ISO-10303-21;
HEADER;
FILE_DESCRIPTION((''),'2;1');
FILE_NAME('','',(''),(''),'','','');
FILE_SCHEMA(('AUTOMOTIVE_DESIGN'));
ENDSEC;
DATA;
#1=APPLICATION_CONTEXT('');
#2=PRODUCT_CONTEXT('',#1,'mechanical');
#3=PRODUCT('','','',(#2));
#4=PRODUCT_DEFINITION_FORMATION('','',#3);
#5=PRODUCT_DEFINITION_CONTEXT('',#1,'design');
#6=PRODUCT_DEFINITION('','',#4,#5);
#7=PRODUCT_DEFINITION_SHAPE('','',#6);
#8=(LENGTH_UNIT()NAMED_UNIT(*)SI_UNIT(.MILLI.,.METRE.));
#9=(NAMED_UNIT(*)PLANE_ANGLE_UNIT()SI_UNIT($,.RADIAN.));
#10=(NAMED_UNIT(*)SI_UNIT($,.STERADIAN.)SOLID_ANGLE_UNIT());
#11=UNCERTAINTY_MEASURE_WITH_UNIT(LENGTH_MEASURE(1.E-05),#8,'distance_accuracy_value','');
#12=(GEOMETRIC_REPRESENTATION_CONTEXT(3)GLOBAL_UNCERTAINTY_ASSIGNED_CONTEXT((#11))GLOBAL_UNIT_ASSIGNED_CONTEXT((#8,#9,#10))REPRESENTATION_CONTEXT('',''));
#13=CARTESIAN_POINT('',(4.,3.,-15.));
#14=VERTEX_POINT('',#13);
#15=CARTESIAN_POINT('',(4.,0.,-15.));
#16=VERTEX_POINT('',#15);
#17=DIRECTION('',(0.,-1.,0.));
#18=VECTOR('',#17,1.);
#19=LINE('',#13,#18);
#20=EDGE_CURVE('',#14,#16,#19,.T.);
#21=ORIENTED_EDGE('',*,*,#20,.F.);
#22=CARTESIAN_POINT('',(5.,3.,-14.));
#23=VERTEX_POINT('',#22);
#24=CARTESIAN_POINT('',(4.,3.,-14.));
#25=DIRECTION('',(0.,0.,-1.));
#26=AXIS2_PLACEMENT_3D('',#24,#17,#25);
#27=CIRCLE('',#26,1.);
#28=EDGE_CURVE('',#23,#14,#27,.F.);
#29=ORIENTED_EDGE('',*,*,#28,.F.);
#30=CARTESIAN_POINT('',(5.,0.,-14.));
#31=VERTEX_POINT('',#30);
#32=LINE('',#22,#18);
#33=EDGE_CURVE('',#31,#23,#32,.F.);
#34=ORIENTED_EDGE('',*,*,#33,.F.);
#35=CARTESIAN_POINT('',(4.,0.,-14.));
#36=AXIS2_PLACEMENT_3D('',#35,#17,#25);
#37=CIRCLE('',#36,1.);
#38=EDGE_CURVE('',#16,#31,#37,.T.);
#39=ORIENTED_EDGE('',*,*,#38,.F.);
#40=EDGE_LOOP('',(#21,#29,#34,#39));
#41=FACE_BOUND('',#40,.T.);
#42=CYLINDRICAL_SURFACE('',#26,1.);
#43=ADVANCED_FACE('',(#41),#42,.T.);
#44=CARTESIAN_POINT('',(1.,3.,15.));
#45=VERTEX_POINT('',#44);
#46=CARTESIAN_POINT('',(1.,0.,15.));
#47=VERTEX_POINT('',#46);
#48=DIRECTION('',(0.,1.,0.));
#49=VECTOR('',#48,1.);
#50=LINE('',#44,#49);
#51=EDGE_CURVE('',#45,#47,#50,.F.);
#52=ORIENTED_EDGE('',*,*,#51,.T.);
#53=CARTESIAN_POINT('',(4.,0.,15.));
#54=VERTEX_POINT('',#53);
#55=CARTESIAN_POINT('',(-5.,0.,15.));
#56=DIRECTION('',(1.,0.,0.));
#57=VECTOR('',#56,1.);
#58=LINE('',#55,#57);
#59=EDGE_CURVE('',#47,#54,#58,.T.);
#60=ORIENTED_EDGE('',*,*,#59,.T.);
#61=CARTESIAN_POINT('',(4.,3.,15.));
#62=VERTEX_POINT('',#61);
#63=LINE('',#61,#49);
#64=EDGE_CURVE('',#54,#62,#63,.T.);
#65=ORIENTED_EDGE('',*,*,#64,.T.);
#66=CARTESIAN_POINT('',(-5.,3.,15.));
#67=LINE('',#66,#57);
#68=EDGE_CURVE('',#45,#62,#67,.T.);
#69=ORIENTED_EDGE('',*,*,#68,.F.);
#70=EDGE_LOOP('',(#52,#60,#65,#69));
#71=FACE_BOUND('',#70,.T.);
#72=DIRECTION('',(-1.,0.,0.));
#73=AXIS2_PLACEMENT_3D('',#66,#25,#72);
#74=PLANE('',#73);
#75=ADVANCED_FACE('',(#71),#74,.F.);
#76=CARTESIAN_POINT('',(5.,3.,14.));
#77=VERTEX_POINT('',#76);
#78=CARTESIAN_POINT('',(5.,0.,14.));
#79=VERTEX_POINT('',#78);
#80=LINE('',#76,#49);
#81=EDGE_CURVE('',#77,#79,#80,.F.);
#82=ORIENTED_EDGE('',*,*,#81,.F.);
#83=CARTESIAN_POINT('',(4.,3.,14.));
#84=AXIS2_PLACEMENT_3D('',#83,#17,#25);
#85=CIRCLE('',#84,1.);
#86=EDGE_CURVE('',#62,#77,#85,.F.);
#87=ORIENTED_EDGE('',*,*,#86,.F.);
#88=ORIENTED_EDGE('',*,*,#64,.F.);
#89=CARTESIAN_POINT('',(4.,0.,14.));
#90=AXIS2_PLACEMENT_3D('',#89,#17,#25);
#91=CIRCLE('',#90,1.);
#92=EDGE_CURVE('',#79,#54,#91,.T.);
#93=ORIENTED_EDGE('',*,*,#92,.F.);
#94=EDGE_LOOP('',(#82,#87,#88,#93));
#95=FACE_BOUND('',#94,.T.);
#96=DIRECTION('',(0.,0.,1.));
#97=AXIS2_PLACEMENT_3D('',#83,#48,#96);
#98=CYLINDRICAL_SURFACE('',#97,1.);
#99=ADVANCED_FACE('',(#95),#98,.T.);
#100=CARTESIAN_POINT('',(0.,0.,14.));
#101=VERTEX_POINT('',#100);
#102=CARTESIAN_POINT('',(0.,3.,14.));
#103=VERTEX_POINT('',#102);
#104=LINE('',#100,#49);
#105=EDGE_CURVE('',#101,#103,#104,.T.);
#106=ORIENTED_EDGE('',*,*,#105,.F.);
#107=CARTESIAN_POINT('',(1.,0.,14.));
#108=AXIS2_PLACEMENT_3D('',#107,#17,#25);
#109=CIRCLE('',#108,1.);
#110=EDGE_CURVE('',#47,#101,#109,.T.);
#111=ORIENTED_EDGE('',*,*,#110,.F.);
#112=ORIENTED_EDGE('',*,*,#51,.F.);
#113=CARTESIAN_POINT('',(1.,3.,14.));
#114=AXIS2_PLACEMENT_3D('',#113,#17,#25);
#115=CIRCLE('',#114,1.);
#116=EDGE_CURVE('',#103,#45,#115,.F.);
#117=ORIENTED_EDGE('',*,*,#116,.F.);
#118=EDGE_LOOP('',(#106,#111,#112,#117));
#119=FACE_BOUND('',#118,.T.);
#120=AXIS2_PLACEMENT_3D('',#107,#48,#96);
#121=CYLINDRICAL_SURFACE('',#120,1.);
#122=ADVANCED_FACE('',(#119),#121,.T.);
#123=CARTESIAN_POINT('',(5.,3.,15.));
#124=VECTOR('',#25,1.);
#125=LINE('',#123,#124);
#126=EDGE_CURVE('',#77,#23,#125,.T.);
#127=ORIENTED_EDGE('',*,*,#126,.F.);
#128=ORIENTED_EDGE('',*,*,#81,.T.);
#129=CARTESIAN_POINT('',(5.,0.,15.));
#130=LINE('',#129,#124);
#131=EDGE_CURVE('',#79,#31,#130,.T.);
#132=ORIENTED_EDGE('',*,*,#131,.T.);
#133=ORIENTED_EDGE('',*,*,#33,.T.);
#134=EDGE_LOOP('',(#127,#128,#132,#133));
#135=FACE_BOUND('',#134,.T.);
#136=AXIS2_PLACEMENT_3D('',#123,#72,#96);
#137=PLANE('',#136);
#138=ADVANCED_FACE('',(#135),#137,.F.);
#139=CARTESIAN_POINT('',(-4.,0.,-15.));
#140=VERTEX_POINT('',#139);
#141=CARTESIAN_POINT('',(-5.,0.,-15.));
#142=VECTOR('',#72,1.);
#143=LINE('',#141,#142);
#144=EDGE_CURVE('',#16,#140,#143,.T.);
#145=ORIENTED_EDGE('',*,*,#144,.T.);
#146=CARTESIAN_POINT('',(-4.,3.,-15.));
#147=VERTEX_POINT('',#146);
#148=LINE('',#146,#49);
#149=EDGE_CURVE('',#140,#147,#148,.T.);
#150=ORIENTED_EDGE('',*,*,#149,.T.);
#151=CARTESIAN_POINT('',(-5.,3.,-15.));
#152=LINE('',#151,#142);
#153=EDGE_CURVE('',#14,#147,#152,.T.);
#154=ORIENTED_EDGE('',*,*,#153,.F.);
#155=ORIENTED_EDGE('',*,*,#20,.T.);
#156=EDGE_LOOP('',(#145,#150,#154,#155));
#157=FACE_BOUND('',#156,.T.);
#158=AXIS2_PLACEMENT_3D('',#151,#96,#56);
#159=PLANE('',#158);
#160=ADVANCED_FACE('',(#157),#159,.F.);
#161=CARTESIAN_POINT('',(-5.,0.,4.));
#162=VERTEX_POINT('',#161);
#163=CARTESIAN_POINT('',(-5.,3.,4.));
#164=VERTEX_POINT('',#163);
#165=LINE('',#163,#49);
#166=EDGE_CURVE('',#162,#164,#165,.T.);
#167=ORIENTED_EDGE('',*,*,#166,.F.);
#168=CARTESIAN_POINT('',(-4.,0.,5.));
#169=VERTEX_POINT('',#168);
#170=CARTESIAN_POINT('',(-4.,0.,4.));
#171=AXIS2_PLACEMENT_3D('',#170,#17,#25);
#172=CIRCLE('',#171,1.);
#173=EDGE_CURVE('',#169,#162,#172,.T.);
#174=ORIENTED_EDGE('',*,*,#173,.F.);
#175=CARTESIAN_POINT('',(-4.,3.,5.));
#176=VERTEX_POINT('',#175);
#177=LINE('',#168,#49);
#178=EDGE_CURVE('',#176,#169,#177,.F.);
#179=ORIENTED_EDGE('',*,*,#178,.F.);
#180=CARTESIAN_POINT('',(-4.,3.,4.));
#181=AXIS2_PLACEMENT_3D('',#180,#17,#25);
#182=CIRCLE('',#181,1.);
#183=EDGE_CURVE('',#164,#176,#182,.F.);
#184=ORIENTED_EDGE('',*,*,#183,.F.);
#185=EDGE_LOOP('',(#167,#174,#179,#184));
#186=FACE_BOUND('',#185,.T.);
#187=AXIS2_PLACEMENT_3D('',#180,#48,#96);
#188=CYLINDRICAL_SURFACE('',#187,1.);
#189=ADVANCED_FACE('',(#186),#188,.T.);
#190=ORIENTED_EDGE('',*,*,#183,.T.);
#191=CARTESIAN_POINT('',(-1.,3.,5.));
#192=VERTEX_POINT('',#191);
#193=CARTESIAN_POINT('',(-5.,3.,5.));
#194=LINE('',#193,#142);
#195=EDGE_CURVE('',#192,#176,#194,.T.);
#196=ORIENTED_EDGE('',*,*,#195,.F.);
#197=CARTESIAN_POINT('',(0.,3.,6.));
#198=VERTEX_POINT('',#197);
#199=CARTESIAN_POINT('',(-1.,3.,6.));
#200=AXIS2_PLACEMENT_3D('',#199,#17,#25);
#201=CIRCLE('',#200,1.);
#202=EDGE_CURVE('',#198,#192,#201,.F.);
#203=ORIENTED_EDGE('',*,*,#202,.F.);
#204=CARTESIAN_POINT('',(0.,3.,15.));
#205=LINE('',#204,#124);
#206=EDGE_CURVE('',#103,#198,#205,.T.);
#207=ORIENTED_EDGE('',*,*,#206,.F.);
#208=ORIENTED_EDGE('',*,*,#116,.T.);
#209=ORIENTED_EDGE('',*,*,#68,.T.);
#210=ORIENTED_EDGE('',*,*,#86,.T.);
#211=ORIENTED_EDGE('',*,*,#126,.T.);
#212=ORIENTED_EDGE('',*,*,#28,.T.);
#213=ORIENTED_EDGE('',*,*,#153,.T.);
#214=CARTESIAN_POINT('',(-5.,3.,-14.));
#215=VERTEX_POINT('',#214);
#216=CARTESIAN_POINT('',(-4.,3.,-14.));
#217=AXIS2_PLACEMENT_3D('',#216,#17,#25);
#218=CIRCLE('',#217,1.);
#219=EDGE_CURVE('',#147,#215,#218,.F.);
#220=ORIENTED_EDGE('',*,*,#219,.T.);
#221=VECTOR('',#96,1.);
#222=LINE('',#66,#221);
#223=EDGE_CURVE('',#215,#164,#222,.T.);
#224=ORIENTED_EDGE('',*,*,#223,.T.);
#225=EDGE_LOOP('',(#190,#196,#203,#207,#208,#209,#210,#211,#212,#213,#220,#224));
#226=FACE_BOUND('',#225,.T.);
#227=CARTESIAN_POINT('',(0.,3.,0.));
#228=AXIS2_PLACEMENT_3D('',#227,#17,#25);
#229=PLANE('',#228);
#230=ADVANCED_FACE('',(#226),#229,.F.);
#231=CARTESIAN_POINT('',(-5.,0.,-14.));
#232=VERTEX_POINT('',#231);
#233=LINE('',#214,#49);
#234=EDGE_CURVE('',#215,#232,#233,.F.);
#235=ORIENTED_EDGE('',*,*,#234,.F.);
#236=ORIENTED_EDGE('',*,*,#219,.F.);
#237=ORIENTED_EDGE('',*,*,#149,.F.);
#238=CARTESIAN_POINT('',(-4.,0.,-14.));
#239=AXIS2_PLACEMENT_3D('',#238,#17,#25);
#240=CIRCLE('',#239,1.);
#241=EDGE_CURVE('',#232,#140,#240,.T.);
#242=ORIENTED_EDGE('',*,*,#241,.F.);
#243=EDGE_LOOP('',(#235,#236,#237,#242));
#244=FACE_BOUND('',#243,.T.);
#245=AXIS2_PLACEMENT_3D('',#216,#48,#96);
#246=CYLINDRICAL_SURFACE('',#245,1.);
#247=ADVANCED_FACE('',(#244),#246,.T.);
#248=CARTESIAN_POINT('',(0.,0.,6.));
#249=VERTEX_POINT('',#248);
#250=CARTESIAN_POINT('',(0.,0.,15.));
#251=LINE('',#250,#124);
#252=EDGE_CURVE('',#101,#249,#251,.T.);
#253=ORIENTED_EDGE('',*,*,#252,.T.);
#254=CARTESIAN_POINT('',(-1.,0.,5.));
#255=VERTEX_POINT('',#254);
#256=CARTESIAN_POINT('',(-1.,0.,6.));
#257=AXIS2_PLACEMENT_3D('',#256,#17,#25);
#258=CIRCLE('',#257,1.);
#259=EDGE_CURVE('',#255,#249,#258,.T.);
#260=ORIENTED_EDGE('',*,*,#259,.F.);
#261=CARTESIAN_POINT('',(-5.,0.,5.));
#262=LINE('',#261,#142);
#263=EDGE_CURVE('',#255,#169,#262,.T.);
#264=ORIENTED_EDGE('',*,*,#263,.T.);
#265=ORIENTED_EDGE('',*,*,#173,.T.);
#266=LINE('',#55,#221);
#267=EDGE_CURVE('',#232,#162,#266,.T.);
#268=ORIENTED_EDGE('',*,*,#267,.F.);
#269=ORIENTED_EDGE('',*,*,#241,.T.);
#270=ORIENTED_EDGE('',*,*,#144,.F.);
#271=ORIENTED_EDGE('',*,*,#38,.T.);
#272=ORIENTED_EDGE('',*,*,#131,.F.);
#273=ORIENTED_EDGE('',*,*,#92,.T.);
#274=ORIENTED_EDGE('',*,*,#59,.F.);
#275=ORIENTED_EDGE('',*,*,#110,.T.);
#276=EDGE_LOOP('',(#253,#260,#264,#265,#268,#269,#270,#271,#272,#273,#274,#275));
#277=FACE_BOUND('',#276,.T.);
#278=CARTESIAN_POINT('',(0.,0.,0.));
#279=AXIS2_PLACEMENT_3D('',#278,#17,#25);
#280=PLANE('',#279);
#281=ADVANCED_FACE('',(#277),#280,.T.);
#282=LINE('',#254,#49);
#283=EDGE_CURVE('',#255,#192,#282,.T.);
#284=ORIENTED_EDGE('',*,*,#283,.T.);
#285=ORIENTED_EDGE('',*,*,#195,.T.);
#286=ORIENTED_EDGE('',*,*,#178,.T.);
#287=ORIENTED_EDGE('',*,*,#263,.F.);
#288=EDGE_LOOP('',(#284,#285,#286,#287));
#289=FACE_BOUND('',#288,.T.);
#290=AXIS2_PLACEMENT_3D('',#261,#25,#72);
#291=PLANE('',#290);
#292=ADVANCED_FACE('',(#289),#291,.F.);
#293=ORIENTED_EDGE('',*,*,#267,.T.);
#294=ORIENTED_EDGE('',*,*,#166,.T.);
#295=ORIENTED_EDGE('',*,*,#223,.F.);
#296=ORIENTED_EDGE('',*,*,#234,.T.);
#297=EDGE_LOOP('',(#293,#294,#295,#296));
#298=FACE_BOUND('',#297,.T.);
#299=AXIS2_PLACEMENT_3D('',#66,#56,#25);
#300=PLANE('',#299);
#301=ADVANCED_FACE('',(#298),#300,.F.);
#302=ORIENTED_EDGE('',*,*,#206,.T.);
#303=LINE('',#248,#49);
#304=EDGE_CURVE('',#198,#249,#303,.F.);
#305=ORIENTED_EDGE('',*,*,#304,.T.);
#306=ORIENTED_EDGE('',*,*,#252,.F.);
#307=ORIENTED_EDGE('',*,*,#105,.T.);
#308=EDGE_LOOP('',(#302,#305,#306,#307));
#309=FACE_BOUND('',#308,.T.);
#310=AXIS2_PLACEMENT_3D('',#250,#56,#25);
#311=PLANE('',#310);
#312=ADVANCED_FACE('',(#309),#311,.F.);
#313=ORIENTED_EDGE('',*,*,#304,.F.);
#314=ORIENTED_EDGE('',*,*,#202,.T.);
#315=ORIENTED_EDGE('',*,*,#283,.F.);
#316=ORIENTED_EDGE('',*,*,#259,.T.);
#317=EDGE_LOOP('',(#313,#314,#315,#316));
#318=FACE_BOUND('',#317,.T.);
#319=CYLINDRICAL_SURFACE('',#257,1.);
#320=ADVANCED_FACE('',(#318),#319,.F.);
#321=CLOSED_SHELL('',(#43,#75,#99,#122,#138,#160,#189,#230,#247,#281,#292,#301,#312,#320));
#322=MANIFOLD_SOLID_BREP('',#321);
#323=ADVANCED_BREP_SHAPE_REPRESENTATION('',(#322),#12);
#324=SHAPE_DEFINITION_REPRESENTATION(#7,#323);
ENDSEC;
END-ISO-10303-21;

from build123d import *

# Parameters (mm, degrees)
ESBO_O1_W                = 10
ESBO_O1_H                = 30
RESSALTO_EXTRUS_O1_DEPTH = 3
ESBO_O2_W                = 5
ESBO_O2_H                = 10
CORTE_EXTRUS_O1_DEPTH    = 3
FILETE1_R                = 1
FILETE2_R                = 1
FILETE3_R                = 1
FILETE4_R                = 1
FILETE5_R                = 1
FILETE6_R                = 1


with BuildPart() as part:
    # Esboço1 → Ressalto-extrusão1 (new body)
    with BuildSketch(Plane(origin=(0, 0, 0), x_dir=(1, 0, 0), z_dir=(0, 1, 0))):
        Rectangle(ESBO_O1_W, ESBO_O1_H)
    extrude(amount=RESSALTO_EXTRUS_O1_DEPTH)

    # Esboço2 → Corte-extrusão1 (cut)
    with BuildSketch(Plane(origin=(0, 3, 0), x_dir=(1, 0, 0), z_dir=(0, 1, 0))):
        with Locations((-2.5, -10)):
            Rectangle(ESBO_O2_W, ESBO_O2_H)
    extrude(amount=-CORTE_EXTRUS_O1_DEPTH, mode=Mode.SUBTRACT)

    # Filete1
    filete1_edges = [part.edges().sort_by_distance(p)[0] for p in [
        (5, 1.5, 15),
    ]]
    fillet(filete1_edges, radius=FILETE1_R)

    # Filete2
    filete2_edges = [part.edges().sort_by_distance(p)[0] for p in [
        (0, 1.5, 15),
    ]]
    fillet(filete2_edges, radius=FILETE2_R)

    # Filete3
    filete3_edges = [part.edges().sort_by_distance(p)[0] for p in [
        (0, 1.5, 5),
    ]]
    fillet(filete3_edges, radius=FILETE3_R)

    # Filete4
    filete4_edges = [part.edges().sort_by_distance(p)[0] for p in [
        (-5, 1.5, 5),
    ]]
    fillet(filete4_edges, radius=FILETE4_R)

    # Filete5
    filete5_edges = [part.edges().sort_by_distance(p)[0] for p in [
        (-5, 1.5, -15),
    ]]
    fillet(filete5_edges, radius=FILETE5_R)

    # Filete6
    filete6_edges = [part.edges().sort_by_distance(p)[0] for p in [
        (5, 1.5, -15),
    ]]
    fillet(filete6_edges, radius=FILETE6_R)


solid = part.part
